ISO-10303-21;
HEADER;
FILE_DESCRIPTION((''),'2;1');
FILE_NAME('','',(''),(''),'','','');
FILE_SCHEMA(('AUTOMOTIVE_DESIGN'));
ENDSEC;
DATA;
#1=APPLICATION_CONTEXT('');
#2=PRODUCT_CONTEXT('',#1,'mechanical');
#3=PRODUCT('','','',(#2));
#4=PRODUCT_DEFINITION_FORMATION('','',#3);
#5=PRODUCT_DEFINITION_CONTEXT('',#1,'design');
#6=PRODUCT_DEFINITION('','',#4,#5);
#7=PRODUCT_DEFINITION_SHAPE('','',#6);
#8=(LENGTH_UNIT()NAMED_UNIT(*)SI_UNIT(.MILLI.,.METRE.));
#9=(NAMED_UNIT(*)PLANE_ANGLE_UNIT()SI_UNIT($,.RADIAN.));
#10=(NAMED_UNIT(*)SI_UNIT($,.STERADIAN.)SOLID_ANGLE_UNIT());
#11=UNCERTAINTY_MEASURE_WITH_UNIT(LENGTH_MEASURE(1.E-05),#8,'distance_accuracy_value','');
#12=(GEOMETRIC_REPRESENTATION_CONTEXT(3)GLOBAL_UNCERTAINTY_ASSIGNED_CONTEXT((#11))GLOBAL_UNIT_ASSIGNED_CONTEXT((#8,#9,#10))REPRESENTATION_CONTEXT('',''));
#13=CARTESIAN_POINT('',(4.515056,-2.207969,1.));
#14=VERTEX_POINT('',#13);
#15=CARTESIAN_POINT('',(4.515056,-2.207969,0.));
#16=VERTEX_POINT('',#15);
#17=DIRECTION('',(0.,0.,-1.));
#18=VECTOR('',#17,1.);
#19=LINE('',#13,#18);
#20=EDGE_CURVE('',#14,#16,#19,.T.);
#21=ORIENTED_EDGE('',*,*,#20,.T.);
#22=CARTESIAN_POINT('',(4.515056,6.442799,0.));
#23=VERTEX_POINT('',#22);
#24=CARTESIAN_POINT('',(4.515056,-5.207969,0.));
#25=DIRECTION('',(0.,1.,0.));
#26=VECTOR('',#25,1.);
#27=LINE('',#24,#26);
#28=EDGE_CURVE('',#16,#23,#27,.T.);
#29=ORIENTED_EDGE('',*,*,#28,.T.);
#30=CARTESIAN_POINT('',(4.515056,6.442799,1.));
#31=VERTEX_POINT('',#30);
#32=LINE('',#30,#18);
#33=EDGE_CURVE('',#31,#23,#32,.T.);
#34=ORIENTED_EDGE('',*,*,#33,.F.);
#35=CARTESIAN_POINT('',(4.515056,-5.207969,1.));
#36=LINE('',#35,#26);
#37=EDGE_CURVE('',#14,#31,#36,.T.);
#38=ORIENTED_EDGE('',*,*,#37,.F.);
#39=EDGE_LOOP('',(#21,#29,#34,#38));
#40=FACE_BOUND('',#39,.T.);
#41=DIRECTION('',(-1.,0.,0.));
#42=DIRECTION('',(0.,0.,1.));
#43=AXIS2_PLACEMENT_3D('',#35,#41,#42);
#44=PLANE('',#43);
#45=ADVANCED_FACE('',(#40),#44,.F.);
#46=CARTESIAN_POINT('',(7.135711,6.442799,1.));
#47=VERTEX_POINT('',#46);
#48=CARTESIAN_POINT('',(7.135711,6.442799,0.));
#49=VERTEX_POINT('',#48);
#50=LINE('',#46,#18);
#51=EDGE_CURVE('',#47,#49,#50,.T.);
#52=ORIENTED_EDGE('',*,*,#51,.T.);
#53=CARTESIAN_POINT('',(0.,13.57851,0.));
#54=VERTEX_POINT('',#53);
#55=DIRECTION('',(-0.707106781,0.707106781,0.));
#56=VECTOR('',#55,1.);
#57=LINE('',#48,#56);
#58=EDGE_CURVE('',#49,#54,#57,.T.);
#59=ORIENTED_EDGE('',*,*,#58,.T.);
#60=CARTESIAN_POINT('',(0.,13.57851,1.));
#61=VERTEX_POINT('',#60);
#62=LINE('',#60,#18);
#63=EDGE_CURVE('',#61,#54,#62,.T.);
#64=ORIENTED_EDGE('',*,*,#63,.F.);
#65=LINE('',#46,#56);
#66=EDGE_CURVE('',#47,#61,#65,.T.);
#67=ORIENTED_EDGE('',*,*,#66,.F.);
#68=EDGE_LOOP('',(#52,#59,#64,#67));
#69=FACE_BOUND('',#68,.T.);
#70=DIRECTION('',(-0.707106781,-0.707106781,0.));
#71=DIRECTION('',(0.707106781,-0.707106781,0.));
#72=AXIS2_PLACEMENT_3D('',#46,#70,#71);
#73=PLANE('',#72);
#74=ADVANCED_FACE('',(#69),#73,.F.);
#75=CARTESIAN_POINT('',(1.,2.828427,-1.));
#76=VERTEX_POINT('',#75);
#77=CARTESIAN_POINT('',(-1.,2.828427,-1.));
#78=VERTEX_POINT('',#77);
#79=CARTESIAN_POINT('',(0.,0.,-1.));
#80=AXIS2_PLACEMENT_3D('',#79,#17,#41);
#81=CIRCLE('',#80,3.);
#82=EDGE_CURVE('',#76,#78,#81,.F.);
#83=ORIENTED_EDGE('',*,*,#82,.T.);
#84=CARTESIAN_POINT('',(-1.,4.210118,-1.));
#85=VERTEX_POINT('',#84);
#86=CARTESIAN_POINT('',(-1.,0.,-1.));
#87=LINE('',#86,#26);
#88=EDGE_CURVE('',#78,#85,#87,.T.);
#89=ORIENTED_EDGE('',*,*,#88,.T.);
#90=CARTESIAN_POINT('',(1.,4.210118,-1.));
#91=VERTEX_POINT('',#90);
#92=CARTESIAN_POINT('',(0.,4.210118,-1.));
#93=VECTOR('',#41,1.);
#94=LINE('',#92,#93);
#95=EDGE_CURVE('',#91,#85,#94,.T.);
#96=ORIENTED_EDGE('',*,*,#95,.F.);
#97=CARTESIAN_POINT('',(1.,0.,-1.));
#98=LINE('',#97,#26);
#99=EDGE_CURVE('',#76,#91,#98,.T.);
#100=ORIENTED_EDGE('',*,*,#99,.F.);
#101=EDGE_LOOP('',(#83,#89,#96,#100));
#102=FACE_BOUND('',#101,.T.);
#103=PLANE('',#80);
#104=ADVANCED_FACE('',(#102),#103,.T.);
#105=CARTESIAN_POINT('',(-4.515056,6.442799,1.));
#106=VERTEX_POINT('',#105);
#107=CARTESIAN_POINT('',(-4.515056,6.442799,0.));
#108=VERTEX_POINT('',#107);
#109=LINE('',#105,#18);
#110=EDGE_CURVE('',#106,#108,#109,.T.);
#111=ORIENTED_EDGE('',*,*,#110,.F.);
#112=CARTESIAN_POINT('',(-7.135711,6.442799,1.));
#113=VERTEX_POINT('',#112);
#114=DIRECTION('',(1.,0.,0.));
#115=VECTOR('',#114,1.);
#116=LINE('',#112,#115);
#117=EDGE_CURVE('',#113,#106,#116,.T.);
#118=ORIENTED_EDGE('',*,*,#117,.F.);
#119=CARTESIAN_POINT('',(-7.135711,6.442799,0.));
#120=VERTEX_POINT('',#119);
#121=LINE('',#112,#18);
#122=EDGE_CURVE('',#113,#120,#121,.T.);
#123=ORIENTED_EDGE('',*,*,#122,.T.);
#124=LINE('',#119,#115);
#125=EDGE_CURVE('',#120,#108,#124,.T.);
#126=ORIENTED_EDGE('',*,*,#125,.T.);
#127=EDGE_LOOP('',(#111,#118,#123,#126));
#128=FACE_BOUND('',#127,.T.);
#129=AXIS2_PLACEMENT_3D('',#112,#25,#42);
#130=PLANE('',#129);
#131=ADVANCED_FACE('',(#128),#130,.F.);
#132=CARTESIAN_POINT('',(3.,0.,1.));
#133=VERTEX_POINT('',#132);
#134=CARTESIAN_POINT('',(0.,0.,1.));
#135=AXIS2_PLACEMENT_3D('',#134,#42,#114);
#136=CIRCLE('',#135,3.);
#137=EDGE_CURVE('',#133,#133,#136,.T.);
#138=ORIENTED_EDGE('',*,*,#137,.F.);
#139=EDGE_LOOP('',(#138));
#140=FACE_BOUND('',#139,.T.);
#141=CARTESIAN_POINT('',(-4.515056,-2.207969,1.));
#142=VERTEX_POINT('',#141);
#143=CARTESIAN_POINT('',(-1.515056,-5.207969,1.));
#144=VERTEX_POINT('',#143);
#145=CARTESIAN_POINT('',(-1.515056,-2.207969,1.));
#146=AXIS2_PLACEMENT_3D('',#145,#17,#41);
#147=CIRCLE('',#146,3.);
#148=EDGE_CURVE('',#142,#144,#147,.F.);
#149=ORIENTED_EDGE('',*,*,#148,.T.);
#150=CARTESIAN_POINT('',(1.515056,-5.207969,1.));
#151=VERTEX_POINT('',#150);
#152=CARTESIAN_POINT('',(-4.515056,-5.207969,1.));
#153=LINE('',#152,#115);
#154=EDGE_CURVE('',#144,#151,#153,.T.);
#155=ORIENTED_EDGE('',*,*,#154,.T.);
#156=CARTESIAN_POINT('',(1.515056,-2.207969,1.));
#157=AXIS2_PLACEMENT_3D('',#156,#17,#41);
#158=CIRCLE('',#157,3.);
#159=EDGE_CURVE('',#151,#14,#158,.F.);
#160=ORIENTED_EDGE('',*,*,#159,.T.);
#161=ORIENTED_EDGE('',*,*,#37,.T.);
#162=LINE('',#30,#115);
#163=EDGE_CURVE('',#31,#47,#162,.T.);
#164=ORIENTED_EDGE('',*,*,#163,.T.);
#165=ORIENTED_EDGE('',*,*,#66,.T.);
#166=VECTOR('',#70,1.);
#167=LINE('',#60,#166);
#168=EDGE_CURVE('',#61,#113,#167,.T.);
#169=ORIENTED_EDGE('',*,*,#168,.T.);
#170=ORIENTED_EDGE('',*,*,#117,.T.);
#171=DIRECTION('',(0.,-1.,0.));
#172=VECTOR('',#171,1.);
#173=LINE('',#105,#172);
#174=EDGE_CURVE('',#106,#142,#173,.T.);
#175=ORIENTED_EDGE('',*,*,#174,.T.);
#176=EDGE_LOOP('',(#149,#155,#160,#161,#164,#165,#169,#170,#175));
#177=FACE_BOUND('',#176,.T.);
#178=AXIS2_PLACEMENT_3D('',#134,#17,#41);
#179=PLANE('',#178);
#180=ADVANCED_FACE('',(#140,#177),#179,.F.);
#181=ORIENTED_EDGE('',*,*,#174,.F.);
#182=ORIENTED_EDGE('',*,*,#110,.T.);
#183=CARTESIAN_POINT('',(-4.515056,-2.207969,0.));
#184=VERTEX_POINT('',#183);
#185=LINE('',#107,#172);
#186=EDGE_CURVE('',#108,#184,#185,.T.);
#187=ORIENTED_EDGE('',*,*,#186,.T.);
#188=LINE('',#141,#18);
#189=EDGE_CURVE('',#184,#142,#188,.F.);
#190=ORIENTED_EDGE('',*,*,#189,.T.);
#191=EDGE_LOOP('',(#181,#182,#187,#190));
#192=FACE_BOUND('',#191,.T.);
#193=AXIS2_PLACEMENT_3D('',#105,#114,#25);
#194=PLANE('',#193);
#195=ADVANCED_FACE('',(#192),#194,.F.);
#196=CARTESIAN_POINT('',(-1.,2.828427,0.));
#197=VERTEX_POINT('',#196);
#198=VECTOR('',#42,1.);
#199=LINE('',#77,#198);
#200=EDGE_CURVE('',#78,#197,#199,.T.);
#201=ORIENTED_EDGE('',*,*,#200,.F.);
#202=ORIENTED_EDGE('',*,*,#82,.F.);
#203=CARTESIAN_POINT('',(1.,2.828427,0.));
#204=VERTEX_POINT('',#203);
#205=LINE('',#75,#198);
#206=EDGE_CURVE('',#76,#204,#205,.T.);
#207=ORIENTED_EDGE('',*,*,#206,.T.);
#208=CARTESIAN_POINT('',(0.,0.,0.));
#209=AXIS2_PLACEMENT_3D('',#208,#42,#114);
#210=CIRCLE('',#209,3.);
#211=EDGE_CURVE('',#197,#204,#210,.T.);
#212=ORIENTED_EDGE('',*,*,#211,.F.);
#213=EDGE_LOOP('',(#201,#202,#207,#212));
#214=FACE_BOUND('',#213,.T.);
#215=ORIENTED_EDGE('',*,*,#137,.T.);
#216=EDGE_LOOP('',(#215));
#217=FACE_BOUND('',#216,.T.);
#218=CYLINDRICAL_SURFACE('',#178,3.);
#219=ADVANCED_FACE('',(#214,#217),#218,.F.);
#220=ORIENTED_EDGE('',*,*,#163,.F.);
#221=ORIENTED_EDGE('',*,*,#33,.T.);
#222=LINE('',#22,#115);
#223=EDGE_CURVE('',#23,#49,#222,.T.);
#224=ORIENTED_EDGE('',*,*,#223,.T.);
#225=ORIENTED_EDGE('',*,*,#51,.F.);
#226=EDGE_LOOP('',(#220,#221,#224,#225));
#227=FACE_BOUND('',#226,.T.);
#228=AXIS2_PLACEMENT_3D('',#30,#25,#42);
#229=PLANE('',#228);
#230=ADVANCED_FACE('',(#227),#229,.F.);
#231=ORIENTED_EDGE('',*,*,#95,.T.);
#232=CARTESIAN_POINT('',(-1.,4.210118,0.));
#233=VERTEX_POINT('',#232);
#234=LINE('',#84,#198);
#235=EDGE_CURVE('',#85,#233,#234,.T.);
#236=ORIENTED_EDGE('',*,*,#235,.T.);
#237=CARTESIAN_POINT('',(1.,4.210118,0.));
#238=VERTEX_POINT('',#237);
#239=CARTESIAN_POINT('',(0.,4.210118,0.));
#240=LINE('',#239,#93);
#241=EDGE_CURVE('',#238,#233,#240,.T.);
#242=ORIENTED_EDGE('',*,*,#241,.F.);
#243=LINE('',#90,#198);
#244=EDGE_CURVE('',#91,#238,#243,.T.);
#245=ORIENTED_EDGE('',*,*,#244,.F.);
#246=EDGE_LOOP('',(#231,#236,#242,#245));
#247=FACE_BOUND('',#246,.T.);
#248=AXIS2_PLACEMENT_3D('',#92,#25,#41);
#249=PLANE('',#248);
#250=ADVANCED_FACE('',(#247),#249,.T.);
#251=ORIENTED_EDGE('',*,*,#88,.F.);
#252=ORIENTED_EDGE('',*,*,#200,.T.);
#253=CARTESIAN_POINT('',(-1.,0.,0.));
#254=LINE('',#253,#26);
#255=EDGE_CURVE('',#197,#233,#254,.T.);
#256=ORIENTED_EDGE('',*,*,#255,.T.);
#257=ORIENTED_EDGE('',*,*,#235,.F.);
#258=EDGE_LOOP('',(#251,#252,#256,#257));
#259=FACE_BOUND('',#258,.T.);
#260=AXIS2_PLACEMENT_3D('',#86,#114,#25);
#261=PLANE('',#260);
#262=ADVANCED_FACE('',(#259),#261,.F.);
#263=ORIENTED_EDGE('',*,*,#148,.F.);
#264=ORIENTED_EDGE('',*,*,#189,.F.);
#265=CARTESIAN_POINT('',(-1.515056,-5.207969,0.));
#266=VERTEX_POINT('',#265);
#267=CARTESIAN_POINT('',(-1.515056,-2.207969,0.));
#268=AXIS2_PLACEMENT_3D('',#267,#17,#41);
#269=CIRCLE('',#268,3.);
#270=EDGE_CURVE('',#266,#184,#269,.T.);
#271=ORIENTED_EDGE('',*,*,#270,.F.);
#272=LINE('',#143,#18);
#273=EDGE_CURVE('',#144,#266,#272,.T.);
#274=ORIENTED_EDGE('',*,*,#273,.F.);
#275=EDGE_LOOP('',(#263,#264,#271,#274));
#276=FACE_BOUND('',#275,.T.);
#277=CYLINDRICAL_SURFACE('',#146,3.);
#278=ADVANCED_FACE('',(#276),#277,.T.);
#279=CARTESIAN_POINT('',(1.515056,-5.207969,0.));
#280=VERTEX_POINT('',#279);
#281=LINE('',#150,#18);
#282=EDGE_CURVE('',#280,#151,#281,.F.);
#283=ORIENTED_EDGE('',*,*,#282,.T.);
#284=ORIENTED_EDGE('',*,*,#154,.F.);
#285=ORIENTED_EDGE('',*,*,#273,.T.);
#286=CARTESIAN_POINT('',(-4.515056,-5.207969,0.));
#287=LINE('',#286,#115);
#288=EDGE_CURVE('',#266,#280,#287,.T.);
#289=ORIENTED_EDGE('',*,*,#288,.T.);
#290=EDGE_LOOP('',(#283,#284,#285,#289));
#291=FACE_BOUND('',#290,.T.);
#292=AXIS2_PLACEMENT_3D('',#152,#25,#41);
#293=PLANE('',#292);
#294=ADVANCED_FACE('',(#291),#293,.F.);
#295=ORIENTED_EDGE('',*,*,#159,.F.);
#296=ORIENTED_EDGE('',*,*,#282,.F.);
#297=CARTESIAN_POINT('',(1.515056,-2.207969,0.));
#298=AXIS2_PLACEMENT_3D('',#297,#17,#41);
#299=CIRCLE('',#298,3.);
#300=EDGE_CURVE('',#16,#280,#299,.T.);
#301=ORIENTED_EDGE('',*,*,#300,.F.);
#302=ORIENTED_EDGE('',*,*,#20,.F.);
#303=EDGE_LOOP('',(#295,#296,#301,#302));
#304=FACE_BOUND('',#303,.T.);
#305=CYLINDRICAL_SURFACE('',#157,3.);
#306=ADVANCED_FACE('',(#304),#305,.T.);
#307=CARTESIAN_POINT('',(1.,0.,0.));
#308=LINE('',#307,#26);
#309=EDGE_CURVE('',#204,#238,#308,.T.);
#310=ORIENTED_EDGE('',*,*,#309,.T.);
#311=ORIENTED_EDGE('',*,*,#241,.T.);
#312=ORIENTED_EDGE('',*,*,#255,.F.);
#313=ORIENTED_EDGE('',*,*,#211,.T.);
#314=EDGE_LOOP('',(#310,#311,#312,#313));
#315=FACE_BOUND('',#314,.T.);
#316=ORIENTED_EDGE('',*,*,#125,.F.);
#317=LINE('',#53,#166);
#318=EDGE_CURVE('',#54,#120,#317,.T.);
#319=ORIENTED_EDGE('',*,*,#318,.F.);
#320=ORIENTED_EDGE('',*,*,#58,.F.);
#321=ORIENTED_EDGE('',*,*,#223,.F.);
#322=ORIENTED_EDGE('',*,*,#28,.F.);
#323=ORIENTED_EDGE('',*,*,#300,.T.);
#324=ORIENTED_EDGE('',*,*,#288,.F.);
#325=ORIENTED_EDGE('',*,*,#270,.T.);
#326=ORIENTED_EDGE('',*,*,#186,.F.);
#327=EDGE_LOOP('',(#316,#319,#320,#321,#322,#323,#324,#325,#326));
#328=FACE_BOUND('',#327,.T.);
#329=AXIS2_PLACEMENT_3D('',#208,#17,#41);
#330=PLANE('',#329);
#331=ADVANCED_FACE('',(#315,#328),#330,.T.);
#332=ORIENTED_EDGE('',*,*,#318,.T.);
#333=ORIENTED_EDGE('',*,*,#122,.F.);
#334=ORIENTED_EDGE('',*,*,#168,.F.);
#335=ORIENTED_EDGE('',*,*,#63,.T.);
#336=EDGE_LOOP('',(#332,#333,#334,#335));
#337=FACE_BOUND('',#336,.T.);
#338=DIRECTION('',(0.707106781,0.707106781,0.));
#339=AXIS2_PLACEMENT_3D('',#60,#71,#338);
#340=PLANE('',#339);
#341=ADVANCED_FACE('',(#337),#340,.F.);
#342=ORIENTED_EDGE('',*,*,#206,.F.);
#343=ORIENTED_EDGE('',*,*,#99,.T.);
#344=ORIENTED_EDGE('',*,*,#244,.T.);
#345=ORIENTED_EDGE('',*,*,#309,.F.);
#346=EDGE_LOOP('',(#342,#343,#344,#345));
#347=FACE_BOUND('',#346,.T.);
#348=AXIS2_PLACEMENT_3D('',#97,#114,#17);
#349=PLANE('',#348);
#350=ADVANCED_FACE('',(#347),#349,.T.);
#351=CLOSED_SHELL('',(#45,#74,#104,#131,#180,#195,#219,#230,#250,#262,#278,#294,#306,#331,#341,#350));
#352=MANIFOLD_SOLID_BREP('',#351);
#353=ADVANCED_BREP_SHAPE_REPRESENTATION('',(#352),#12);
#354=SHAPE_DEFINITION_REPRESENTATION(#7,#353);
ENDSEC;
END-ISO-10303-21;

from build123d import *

# Parameters (mm, degrees)
SKETCH1_R           = 3
BOSS_EXTRUDE1_DEPTH = 1
FILLET1_R           = 3
BOSS_EXTRUDE2_DEPTH = 1


with BuildPart() as part:
    # Sketch1 → Boss-Extrude1 (new body)
    with BuildSketch(Plane.XY):
        Polygon((-4.515055907, -5.207968635), (4.515055907, -5.207968635), (4.515055907, 6.442798737), (7.135711465, 6.442798737), (0, 13.578510202), (-7.135711465, 6.442798737), (-4.515055907, 6.442798737), align=None)
        Circle(SKETCH1_R, mode=Mode.SUBTRACT)
    extrude(amount=BOSS_EXTRUDE1_DEPTH)

    # Fillet1
    fillet1_edges = [part.edges().sort_by_distance(p)[0] for p in [
        (4.515055907, -5.207968635, 0.5),
        (-4.515055907, -5.207968635, 0.5),
    ]]
    fillet(fillet1_edges, radius=FILLET1_R)

    # Sketch2 → Boss-Extrude2 (add)
    with BuildSketch(Plane(origin=(0, 0, 0), x_dir=(-1, 0, 0), z_dir=(0, 0, -1))):
        with BuildLine():
            ThreePointArc((0, 3), (0.507305936, 2.956795679), (1, 2.828427125))
            Line((1, 2.828427125), (1, 4.210117693))
            Line((1, 4.210117693), (0, 4.210117693))
            Line((0, 4.210117693), (0, 3))
        make_face()
        with BuildLine():
            ThreePointArc((-1, 2.828427125), (-0.507305936, 2.956795679), (0, 3))
            Line((0, 3), (0, 4.210117693))
            Line((0, 4.210117693), (-1, 4.210117693))
            Line((-1, 4.210117693), (-1, 2.828427125))
        make_face()
    extrude(amount=BOSS_EXTRUDE2_DEPTH)


solid = part.part
